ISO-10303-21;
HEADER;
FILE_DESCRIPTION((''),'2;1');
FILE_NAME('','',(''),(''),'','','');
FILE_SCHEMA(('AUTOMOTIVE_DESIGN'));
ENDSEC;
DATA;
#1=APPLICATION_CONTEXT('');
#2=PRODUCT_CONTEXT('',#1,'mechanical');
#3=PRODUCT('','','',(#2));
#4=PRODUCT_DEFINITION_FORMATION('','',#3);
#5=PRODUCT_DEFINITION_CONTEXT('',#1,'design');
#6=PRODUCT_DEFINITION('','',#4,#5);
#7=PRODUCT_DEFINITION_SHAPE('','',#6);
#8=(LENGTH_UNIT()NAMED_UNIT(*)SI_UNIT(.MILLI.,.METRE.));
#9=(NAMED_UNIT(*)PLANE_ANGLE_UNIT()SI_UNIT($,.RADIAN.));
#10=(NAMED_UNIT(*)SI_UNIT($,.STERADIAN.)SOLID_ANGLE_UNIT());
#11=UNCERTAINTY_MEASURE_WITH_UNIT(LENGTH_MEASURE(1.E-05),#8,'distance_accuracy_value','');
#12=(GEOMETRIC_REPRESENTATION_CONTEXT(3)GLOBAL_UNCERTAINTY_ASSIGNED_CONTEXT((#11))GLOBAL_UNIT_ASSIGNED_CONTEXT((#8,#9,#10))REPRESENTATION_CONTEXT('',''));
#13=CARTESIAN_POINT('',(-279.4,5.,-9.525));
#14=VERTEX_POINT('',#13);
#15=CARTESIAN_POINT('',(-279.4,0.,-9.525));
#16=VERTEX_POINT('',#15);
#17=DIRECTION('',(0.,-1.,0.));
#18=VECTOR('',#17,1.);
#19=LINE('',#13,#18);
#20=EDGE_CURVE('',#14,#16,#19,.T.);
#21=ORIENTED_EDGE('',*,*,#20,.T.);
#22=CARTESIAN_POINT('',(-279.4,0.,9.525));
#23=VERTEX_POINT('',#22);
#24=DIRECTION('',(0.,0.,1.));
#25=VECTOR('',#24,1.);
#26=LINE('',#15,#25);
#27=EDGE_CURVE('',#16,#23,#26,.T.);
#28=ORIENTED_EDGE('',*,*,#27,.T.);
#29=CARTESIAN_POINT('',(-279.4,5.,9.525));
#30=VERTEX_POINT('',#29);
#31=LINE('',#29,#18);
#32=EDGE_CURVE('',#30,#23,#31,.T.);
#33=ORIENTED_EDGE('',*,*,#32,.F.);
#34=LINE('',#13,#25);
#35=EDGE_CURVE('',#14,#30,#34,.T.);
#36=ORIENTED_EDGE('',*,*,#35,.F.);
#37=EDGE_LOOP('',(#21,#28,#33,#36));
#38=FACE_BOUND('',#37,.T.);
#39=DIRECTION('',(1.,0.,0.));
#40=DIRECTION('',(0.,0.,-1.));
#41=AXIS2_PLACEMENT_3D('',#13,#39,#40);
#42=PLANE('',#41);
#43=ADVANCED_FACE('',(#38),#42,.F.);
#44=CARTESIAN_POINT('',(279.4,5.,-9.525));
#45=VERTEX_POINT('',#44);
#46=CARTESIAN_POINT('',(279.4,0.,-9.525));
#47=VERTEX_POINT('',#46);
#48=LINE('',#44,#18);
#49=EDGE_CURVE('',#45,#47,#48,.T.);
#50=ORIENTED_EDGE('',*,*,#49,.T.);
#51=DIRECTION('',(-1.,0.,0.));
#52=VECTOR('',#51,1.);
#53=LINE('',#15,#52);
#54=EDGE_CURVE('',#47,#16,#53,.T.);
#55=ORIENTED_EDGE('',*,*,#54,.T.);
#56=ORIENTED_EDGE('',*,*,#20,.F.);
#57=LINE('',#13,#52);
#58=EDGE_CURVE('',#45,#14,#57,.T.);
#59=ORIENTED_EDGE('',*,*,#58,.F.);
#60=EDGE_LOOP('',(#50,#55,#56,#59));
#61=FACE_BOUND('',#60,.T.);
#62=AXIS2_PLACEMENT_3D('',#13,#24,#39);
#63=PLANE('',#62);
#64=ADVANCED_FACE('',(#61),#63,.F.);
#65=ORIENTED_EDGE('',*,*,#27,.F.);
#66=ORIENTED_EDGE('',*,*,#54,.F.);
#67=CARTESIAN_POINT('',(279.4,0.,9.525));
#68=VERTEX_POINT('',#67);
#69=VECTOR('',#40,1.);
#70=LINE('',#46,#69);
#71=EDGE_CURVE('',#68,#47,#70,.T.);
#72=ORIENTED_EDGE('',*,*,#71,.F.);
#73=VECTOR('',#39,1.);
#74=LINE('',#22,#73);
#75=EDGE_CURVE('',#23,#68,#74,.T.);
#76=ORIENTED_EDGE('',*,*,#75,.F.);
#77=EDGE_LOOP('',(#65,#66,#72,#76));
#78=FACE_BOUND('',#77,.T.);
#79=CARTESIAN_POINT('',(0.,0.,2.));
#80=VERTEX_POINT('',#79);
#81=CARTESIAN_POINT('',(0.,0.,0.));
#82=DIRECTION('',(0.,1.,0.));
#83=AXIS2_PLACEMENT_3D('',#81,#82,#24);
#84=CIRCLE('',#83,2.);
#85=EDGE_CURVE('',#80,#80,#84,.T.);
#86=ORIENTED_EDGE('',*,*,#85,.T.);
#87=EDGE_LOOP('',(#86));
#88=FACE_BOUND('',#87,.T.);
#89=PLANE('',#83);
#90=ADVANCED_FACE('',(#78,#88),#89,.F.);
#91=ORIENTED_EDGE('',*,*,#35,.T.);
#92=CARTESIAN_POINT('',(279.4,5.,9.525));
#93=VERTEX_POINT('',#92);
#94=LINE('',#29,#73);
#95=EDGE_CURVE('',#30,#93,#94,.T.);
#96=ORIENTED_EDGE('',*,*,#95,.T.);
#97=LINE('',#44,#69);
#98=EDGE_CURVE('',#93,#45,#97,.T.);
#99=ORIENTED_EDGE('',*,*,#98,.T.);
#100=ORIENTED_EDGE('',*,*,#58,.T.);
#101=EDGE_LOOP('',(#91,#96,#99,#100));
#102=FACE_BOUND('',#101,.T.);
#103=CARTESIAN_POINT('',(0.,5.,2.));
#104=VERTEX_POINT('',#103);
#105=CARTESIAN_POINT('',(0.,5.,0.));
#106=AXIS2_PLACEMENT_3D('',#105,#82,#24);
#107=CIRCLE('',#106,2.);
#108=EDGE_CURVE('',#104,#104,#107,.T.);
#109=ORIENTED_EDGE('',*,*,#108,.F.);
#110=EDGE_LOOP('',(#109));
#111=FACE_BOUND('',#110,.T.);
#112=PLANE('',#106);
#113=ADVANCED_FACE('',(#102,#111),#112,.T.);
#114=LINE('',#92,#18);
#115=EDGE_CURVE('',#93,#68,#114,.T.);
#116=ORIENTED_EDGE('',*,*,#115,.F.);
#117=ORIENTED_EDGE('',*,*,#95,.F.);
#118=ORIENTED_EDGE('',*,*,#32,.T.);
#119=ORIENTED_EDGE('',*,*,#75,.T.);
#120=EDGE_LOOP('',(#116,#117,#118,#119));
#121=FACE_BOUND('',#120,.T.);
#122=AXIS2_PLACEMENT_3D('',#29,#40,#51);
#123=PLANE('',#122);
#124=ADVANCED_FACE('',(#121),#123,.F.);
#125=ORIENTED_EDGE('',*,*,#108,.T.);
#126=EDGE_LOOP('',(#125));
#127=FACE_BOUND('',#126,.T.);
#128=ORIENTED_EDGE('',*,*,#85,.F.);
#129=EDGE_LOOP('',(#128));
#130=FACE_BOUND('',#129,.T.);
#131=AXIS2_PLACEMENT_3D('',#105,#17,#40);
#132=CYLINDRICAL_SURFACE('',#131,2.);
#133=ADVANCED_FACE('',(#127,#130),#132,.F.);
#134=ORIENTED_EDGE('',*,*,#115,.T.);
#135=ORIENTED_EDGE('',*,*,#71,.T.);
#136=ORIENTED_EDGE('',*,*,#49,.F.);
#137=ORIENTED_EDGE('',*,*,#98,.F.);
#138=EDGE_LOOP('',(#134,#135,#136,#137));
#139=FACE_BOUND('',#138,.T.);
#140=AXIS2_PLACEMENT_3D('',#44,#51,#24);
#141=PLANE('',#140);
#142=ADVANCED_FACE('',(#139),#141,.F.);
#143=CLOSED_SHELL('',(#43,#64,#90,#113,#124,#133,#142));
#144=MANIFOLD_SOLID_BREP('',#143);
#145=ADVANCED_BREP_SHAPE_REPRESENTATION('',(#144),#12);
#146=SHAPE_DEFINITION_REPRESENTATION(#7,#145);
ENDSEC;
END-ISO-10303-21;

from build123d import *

# Parameters (mm, degrees)
SKETCH1_W           = 558.8
SKETCH1_H           = 19.05
SKETCH1_R           = 2
BOSS_EXTRUDE1_DEPTH = 5


with BuildPart() as part:
    # Sketch1 → Boss-Extrude1 (new body)
    with BuildSketch(Plane(origin=(0, 0, 0), x_dir=(1, 0, 0), z_dir=(0, 1, 0))):
        Rectangle(SKETCH1_W, SKETCH1_H)
        Circle(SKETCH1_R, mode=Mode.SUBTRACT)
    extrude(amount=BOSS_EXTRUDE1_DEPTH)


solid = part.part
